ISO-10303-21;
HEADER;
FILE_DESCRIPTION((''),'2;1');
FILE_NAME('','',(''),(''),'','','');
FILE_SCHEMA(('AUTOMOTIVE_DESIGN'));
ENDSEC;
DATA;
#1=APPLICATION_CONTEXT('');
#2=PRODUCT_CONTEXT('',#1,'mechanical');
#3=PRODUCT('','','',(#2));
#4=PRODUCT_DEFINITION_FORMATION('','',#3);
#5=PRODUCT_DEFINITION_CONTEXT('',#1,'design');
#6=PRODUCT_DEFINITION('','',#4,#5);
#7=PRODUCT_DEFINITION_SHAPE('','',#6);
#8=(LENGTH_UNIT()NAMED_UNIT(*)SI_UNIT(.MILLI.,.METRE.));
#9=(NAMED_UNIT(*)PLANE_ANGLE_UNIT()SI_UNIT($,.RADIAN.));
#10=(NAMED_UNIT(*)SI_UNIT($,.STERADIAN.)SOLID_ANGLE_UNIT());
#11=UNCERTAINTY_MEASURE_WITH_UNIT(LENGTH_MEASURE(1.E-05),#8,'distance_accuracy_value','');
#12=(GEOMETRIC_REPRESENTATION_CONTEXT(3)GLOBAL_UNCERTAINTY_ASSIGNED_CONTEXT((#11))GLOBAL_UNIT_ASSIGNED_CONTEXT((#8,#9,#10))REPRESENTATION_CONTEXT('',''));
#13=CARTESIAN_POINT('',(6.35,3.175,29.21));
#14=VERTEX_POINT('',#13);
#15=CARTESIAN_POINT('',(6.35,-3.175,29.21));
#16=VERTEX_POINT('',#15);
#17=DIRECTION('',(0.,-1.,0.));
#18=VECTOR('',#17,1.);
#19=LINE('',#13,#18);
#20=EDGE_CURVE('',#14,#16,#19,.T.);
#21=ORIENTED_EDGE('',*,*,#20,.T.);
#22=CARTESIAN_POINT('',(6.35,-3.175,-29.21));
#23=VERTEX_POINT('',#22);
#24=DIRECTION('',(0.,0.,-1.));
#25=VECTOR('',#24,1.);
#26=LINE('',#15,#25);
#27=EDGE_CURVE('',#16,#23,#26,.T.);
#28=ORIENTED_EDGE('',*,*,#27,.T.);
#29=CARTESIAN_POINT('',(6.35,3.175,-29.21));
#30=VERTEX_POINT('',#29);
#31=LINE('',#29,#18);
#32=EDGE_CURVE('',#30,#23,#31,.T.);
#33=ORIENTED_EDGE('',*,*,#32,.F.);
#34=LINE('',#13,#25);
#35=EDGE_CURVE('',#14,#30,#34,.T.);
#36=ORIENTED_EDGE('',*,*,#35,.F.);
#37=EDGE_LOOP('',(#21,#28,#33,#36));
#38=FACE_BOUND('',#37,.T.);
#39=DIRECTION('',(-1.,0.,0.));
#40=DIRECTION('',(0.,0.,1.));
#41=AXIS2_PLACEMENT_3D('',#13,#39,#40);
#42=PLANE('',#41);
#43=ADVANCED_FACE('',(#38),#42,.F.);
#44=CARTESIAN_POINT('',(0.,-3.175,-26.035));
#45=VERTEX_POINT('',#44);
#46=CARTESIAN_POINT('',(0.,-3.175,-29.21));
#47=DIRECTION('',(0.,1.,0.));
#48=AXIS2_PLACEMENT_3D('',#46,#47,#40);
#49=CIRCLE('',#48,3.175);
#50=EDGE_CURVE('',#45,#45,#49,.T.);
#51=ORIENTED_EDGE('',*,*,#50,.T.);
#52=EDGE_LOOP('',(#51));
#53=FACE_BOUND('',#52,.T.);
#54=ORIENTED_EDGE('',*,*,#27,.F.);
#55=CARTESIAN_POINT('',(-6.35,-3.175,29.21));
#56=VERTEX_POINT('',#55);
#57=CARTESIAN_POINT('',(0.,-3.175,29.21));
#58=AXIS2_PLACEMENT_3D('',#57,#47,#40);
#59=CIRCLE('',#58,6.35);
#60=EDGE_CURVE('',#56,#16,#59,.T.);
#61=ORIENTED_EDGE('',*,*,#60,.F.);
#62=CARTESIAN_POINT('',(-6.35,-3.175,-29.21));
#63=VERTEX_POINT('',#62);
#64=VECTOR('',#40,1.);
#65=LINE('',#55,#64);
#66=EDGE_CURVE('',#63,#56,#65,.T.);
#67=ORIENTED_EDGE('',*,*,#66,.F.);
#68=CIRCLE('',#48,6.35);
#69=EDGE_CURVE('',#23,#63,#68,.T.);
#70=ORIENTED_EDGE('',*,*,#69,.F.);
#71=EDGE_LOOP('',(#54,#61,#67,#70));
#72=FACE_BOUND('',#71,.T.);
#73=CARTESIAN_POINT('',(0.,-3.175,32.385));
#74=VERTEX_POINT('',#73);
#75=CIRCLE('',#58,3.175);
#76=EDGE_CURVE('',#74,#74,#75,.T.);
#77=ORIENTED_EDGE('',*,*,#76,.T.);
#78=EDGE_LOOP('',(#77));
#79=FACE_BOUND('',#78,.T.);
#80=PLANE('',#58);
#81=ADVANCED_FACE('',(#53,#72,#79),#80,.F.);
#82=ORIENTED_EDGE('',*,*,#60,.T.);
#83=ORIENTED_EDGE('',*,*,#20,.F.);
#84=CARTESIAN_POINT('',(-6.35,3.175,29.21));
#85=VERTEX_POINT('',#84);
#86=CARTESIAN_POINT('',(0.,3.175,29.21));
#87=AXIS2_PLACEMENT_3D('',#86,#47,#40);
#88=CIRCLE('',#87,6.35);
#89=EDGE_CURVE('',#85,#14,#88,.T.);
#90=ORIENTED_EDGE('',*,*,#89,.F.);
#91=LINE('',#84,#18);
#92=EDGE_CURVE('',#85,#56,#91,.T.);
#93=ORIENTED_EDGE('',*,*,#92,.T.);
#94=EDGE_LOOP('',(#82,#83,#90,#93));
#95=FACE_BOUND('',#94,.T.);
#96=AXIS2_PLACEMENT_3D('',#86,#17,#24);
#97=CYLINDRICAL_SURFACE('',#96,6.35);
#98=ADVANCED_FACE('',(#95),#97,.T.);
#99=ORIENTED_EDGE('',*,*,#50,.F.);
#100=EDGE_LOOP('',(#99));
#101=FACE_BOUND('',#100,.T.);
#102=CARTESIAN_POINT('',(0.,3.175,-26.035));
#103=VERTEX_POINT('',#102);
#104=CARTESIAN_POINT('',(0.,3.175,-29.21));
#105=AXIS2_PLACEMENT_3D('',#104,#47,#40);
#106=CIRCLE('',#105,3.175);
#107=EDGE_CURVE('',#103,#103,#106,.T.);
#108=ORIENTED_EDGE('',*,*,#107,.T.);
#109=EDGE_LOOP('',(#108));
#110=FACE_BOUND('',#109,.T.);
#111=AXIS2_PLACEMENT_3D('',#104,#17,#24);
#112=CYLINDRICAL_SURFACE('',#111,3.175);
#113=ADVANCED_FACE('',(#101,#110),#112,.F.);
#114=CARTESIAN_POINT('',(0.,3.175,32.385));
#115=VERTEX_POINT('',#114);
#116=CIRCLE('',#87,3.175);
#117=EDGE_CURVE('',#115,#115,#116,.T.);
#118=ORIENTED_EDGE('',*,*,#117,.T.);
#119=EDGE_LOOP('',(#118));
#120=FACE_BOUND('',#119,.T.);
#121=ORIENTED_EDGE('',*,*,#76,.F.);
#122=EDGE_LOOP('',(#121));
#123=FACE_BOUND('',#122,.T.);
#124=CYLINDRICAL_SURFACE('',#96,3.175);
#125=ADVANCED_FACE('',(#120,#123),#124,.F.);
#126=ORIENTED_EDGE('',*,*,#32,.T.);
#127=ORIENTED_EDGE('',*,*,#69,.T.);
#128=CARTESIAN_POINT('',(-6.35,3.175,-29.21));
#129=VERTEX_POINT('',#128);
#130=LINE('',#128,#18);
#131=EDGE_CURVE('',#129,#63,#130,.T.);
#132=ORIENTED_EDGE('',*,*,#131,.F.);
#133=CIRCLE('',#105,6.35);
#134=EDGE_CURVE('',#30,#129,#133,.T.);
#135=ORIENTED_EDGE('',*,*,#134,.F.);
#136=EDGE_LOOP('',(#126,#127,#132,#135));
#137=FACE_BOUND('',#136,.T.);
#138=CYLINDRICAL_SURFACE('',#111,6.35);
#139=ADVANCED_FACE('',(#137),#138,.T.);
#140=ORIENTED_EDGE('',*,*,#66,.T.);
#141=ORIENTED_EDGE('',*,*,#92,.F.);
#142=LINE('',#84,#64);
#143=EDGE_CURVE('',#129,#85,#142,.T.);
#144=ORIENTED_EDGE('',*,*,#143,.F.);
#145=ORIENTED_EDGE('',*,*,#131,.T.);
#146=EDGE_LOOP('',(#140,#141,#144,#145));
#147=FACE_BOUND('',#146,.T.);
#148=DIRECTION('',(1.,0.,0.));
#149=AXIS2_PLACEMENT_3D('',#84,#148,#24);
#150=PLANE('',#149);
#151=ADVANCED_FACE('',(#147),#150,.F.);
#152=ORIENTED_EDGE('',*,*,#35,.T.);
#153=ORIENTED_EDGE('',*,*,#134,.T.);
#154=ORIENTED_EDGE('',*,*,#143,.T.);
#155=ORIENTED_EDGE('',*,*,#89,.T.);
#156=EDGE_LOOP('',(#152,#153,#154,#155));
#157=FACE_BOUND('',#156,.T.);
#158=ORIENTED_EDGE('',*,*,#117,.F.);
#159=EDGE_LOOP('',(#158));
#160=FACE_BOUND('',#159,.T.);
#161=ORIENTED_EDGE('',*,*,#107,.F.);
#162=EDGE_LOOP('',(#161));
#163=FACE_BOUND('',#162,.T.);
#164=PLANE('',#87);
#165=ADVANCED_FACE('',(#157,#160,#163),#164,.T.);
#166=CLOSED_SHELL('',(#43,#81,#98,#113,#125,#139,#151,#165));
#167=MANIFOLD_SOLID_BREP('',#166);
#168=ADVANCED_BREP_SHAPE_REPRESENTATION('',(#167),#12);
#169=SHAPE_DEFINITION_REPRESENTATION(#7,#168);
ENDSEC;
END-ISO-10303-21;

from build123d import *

# Parameters (mm, degrees)
SKETCH1_R           = 3.175
BOSS_EXTRUDE1_DEPTH = 3.175


with BuildPart() as part:
    # Sketch1 → Boss-Extrude1 (new, symmetric)
    with BuildSketch(Plane(origin=(0, 0, 0), x_dir=(1, 0, 0), z_dir=(0, 1, 0))):
        with BuildLine():
            Line((-6.35, -29.21), (-6.35, 29.21))
            ThreePointArc((-6.35, 29.21), (0, 35.56), (6.35, 29.21))
            Line((6.35, 29.21), (6.35, -29.21))
            ThreePointArc((6.35, -29.21), (0, -35.56), (-6.35, -29.21))
        make_face()
        with Locations(Location((0, 29.21, 0), (0, 0, 270))):
            Circle(SKETCH1_R, mode=Mode.SUBTRACT)
        with Locations(Location((0, -29.21, 0), (0, 0, 270))):
            Circle(SKETCH1_R, mode=Mode.SUBTRACT)
    extrude(amount=BOSS_EXTRUDE1_DEPTH, both=True)


solid = part.part
